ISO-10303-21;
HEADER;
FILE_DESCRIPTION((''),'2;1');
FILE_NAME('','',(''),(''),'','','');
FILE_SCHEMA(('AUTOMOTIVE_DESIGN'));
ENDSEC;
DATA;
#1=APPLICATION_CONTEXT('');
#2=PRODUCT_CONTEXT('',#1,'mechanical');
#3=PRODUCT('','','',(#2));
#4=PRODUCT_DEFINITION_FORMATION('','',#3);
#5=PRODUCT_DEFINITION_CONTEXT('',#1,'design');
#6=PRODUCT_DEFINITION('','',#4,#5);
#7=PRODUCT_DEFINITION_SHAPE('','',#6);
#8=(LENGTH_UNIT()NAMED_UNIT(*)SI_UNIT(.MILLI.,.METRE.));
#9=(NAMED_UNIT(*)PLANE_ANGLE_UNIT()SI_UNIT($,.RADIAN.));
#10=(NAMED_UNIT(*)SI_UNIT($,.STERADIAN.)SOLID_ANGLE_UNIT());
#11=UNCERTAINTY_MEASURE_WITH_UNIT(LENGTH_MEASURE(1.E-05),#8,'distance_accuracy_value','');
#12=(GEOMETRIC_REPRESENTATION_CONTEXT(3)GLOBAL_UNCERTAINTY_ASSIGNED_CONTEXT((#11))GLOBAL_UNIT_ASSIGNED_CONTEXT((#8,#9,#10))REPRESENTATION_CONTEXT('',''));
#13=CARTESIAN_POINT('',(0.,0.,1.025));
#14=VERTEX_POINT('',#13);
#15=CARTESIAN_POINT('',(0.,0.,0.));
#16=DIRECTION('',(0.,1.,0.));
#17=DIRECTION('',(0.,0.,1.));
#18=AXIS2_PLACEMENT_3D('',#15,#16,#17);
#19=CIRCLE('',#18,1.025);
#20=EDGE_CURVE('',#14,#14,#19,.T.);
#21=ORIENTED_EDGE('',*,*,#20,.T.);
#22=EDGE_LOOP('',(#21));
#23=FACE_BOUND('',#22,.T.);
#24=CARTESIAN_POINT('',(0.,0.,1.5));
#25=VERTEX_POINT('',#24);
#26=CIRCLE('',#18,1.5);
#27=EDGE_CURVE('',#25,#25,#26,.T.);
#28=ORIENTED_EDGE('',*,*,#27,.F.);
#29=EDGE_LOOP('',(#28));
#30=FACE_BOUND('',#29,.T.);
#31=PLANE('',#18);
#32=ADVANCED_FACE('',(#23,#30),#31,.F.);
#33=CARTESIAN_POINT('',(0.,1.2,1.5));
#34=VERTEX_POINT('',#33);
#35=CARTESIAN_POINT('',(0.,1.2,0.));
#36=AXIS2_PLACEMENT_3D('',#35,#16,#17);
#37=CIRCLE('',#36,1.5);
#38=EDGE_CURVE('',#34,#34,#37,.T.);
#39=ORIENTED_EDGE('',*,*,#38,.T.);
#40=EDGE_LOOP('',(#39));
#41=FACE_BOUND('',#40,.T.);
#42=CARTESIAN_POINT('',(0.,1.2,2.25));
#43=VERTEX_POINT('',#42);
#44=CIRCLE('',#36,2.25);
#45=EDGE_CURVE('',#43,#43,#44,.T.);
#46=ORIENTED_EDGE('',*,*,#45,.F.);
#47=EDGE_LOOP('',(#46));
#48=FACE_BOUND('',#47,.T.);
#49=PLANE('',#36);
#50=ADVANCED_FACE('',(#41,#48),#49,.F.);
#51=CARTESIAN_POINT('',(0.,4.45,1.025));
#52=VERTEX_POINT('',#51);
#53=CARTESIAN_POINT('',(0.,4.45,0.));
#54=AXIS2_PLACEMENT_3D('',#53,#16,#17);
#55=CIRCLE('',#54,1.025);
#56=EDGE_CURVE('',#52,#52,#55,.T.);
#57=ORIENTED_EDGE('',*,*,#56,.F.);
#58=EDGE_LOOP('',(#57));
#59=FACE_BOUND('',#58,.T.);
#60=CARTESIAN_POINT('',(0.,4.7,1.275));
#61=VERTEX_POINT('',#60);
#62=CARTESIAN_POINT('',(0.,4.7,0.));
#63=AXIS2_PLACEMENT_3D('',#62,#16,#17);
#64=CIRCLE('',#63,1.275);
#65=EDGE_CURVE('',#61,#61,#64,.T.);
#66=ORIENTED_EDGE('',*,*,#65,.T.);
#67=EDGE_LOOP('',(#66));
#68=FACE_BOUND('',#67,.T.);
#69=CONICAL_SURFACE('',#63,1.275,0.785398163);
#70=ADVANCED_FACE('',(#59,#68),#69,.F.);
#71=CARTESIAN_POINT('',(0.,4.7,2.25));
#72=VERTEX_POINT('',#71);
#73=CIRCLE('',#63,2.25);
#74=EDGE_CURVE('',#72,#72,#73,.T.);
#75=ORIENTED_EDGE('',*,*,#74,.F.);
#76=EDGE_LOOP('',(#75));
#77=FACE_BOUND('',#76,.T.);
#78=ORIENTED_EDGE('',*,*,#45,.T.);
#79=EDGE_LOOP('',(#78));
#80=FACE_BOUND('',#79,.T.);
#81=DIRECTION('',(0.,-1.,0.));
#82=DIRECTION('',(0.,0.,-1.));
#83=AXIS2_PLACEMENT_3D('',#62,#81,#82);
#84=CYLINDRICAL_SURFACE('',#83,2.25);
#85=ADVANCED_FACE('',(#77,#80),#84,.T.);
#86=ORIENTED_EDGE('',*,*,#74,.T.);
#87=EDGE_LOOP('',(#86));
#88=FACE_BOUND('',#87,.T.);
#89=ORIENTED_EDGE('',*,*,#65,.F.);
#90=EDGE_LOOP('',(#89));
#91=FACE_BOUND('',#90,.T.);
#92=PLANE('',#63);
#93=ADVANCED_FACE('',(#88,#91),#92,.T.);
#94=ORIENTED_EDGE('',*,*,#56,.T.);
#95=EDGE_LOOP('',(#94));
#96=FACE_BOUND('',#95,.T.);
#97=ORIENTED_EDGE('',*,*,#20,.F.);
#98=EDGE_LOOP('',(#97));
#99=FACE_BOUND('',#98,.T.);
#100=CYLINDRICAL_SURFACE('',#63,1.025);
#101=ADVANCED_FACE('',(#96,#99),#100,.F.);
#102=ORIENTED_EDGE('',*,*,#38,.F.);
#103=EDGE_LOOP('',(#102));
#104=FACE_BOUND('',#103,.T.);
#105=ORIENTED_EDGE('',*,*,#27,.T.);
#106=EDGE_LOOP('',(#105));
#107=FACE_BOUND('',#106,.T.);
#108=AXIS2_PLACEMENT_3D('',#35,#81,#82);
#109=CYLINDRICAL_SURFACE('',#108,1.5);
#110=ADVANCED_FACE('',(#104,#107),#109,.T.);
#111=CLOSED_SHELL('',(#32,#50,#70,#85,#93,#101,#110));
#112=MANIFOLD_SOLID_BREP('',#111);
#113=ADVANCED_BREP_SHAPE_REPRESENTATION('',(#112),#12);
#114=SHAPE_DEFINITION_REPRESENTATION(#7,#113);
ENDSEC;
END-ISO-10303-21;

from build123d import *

# Parameters (mm, degrees)
SKETCH_1_R                     = 1.5
EXTRUDE_1_DEPTH                = 1.2
SKETCH_2_R                     = 2.25
EXTRUDE_2_DEPTH                = 3.5
HOLE_WIZARD_M2_5_1_D           = 2.05
HOLE_WIZARD_M2_5_1_CSINK_D     = 2.55
HOLE_WIZARD_M2_5_1_CSINK_ANGLE = 90


with BuildPart() as part:
    # 草图1 → 凸台-拉伸1 (new body)
    with BuildSketch(Plane(origin=(0, 0, 0), x_dir=(1, 0, 0), z_dir=(0, 1, 0))):
        with Locations(Location((0, 0, 0), (0, 0, 270))):
            Circle(SKETCH_1_R)
    extrude(amount=EXTRUDE_1_DEPTH)

    # 草图2 → 凸台-拉伸2 (add)
    with BuildSketch(Plane(origin=(0, 1.2, 0), x_dir=(1, 0, 0), z_dir=(0, 1, 0))):
        with Locations(Location((0, 0, 0), (0, 0, 270))):
            Circle(SKETCH_2_R)
    extrude(amount=EXTRUDE_2_DEPTH)

    # M2.5 螺纹孔1 (through all)
    with Locations(Plane(origin=(0, 4.7, 0), x_dir=(1, 0, 0), z_dir=(0, 1, 0))):
        with Locations((0, 0)):
            CounterSinkHole(HOLE_WIZARD_M2_5_1_D / 2, HOLE_WIZARD_M2_5_1_CSINK_D / 2, counter_sink_angle=HOLE_WIZARD_M2_5_1_CSINK_ANGLE)


solid = part.part
